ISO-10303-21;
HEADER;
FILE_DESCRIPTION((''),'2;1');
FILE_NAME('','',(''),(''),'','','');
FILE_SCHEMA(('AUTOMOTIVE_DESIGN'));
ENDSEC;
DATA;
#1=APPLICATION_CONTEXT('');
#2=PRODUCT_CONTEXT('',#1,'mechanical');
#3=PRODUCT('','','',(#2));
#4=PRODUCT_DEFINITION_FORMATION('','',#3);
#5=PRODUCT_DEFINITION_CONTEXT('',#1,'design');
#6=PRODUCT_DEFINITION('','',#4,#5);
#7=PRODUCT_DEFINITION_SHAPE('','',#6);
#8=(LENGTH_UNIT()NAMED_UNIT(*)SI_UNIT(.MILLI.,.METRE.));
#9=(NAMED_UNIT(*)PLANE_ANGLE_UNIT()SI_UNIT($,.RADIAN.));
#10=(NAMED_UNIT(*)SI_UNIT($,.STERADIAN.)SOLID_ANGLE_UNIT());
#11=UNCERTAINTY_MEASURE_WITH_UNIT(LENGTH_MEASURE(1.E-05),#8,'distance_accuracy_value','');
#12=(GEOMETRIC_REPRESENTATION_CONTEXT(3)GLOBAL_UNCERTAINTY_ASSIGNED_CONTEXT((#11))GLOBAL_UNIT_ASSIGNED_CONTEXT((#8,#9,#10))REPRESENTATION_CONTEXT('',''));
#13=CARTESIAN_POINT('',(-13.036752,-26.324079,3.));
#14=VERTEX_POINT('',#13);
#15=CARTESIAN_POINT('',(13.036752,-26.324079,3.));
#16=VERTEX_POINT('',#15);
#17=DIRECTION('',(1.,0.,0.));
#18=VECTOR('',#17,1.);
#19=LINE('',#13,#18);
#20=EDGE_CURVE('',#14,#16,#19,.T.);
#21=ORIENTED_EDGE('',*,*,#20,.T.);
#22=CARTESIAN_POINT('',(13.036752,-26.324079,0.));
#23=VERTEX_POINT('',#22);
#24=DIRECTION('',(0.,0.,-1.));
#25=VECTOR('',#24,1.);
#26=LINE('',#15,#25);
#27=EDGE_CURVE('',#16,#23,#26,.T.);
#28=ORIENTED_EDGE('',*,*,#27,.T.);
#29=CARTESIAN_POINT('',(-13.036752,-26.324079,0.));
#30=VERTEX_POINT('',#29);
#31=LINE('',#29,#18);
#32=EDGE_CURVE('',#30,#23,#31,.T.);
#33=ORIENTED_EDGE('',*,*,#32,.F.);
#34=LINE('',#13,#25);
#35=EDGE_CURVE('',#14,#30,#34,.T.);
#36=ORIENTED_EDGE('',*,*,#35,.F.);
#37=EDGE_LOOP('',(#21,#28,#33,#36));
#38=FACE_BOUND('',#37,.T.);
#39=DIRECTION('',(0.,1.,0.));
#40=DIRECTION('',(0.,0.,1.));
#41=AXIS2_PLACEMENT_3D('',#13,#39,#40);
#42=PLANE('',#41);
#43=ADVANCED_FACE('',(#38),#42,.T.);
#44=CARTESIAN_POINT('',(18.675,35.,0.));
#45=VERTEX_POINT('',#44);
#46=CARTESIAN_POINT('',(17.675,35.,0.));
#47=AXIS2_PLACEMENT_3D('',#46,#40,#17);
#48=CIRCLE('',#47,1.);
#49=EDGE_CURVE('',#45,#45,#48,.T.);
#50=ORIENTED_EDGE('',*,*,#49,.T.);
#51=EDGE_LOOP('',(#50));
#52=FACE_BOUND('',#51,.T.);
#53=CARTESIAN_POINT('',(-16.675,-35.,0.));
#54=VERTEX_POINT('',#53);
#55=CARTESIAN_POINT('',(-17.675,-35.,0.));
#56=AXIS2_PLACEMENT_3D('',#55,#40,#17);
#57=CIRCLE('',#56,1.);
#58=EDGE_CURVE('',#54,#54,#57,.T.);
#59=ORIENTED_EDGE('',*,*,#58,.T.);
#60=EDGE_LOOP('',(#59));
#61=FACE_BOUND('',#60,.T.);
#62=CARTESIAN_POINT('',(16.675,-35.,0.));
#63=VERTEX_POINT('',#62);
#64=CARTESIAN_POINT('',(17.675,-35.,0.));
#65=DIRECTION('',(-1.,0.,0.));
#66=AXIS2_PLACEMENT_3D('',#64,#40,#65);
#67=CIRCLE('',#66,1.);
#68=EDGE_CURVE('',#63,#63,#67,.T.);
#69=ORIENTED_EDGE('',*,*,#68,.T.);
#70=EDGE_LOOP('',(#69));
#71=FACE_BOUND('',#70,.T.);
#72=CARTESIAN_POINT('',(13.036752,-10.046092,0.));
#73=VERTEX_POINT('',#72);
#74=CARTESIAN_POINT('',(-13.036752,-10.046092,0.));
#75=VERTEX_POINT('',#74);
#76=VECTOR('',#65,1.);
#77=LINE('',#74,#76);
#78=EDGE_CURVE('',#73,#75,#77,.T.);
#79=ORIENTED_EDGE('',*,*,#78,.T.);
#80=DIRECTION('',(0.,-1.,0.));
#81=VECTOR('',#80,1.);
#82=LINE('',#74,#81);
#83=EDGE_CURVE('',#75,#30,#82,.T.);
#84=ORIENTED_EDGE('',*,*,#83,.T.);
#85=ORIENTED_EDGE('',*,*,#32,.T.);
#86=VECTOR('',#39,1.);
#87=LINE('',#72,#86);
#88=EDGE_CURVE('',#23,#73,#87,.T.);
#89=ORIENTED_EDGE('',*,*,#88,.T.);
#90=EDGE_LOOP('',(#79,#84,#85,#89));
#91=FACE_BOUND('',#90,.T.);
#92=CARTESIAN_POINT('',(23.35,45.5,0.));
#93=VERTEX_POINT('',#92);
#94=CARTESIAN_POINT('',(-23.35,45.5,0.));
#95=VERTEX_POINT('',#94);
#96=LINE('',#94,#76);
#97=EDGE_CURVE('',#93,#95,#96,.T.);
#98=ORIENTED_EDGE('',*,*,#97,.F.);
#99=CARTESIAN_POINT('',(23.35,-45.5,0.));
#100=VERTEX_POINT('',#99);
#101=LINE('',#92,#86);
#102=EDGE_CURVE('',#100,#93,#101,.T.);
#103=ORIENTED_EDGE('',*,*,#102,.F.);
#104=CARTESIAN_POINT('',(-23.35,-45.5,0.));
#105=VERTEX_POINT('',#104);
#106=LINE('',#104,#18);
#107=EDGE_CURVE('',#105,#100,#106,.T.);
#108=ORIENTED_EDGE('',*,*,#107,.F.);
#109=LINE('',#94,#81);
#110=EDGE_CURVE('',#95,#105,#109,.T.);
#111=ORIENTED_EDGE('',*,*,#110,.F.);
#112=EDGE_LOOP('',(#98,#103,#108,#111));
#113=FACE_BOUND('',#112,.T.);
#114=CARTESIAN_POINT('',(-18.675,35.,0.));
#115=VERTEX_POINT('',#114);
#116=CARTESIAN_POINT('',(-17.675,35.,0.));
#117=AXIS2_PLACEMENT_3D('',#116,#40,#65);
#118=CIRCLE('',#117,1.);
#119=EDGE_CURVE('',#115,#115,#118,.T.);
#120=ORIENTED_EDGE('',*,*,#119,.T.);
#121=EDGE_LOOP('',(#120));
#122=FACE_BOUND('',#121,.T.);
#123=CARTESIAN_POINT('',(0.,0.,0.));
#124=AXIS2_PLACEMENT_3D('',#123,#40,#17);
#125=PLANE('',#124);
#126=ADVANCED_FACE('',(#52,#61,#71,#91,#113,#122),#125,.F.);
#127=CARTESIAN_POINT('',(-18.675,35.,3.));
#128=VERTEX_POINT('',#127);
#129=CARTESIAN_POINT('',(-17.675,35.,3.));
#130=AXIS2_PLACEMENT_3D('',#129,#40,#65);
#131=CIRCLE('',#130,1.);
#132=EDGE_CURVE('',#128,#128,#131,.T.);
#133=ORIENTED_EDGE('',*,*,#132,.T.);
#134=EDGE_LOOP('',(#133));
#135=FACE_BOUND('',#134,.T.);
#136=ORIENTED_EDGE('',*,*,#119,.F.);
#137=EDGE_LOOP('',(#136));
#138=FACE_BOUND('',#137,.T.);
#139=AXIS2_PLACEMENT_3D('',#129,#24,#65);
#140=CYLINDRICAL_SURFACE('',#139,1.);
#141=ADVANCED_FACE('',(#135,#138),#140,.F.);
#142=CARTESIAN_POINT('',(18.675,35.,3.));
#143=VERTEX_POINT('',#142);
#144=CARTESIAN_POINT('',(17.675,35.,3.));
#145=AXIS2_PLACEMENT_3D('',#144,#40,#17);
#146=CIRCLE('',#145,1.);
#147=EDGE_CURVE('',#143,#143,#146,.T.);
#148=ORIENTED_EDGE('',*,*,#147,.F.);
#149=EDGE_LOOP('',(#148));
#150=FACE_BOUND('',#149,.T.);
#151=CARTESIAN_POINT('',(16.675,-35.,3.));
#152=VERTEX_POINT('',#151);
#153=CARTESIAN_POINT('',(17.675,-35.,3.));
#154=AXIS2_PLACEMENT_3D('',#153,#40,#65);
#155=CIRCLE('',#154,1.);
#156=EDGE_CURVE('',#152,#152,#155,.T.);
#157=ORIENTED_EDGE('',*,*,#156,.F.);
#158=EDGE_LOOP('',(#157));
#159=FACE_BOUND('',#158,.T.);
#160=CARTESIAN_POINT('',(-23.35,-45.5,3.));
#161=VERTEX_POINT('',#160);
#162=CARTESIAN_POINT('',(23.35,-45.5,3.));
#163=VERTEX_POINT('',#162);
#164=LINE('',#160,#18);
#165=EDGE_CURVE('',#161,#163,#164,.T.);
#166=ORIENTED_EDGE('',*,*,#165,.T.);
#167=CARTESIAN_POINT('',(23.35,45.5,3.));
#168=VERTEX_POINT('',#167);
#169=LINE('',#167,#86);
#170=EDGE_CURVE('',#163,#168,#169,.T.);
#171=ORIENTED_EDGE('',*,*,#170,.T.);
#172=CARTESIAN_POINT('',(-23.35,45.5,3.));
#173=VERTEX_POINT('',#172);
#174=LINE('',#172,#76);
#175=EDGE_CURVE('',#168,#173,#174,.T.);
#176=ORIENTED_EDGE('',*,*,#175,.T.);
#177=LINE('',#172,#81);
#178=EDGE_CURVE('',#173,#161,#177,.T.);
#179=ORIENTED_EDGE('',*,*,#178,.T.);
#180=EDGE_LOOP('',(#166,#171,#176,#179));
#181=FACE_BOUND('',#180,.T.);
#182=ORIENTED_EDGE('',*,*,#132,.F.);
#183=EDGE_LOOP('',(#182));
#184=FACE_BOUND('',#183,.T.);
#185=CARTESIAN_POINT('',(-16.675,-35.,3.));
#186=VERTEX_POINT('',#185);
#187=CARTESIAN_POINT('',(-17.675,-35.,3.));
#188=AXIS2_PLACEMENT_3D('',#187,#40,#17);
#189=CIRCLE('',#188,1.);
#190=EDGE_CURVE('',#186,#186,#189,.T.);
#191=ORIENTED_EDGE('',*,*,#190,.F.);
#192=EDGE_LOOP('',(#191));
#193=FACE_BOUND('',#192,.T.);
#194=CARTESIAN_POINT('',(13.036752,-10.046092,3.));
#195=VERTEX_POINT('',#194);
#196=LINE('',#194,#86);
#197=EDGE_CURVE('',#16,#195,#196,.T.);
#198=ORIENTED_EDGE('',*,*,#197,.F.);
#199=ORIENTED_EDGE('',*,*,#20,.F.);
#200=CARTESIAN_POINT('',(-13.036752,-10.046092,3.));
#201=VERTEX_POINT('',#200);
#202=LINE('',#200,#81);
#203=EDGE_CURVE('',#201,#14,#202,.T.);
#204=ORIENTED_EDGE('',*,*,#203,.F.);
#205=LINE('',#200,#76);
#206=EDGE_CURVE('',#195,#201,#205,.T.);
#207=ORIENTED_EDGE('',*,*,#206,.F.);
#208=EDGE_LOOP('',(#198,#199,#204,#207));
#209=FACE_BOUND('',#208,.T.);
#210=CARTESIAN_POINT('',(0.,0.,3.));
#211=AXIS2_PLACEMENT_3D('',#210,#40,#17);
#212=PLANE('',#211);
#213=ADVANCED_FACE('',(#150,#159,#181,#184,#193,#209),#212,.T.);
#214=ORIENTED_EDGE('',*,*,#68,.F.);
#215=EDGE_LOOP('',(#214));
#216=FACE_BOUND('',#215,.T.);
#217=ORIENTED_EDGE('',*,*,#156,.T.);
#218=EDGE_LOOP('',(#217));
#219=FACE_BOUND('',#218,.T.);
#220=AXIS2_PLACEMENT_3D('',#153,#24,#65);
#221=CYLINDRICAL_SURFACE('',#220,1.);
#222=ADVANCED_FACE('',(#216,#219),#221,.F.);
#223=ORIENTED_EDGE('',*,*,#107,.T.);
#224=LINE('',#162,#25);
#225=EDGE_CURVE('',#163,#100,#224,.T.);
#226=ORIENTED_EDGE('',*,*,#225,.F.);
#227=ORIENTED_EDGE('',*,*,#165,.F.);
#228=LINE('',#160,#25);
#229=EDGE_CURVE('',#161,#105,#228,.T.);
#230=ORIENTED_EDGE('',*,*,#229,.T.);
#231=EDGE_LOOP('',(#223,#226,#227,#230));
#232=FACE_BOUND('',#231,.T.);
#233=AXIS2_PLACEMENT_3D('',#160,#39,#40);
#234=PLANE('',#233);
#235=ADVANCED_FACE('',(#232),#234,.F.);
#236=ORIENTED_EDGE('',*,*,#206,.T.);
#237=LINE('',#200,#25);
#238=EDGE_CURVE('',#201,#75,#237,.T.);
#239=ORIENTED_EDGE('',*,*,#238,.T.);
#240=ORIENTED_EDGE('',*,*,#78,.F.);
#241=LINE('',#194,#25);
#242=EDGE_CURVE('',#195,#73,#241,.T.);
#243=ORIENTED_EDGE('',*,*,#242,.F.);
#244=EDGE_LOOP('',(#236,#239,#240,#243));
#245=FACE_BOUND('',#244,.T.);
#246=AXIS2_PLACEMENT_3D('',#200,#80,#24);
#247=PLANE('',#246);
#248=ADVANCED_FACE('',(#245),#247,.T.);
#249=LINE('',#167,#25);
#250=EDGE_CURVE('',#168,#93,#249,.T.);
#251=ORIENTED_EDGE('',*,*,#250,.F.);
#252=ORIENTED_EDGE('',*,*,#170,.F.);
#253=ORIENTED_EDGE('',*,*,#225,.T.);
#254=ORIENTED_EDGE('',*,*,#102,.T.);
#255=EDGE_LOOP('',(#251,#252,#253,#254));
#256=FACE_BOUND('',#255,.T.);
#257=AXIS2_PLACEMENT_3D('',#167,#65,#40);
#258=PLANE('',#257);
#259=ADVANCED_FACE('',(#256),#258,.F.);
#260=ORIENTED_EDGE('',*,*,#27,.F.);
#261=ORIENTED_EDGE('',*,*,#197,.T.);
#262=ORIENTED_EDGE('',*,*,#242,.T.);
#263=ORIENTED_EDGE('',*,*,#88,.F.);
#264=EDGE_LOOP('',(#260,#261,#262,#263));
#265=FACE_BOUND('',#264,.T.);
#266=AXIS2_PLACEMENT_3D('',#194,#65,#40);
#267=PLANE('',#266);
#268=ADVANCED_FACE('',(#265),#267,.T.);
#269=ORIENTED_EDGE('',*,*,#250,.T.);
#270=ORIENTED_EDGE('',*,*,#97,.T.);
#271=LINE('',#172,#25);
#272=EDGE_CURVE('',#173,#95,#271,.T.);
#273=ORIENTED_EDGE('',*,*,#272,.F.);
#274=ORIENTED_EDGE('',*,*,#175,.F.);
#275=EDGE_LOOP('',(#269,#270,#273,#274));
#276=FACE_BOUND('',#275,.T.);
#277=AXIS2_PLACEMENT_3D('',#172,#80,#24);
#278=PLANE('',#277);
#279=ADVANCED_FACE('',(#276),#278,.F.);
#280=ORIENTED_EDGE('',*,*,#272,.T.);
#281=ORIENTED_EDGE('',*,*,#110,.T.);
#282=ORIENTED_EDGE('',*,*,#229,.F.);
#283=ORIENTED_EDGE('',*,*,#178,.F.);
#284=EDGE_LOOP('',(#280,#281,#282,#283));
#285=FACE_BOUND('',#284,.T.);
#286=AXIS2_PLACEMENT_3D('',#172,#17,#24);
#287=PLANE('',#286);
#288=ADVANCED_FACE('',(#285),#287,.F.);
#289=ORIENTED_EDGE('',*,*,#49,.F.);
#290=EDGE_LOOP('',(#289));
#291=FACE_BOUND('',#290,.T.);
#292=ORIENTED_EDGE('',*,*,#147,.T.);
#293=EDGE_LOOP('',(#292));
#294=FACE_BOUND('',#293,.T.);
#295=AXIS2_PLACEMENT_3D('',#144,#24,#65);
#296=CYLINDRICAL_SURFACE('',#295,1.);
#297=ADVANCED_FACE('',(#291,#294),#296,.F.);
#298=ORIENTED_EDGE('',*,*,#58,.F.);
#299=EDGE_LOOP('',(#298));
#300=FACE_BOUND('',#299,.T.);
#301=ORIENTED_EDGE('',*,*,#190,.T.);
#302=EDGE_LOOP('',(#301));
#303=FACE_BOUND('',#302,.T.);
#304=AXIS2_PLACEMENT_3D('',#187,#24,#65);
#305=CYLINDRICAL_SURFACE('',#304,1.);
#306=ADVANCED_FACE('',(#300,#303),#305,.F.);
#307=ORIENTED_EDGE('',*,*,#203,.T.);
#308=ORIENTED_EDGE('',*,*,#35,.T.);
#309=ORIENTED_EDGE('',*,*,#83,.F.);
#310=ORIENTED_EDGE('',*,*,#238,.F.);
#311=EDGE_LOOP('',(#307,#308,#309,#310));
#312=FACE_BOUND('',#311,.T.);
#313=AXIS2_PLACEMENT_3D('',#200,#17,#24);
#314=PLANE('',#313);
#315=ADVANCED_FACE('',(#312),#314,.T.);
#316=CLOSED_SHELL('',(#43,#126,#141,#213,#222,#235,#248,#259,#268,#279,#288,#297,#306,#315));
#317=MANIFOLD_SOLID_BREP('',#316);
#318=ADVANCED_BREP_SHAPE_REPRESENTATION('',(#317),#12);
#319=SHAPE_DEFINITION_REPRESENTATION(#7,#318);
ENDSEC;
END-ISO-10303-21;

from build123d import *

# Parameters (mm, degrees)
SKETCH2_W           = 46.7
SKETCH2_H           = 91
SKETCH2_R           = 1
SKETCH2_W_2         = 26.073503968
SKETCH2_H_2         = 16.277986644
BOSS_EXTRUDE1_DEPTH = 3


with BuildPart() as part:
    # Sketch2 → Boss-Extrude1 (new body)
    with BuildSketch(Plane.XY):
        Rectangle(SKETCH2_W, SKETCH2_H)
        with Locations((17.675, 35)):
            Circle(SKETCH2_R, mode=Mode.SUBTRACT)
        with Locations(Location((-17.675, 35, 0), (0, 0, 180))):
            Circle(SKETCH2_R, mode=Mode.SUBTRACT)
        with Locations((-17.675, -35)):
            Circle(SKETCH2_R, mode=Mode.SUBTRACT)
        with Locations(Location((17.675, -35, 0), (0, 0, 180))):
            Circle(SKETCH2_R, mode=Mode.SUBTRACT)
        with Locations((0, -18.185085705)):
            Rectangle(SKETCH2_W_2, SKETCH2_H_2, mode=Mode.SUBTRACT)
    extrude(amount=BOSS_EXTRUDE1_DEPTH)


solid = part.part
